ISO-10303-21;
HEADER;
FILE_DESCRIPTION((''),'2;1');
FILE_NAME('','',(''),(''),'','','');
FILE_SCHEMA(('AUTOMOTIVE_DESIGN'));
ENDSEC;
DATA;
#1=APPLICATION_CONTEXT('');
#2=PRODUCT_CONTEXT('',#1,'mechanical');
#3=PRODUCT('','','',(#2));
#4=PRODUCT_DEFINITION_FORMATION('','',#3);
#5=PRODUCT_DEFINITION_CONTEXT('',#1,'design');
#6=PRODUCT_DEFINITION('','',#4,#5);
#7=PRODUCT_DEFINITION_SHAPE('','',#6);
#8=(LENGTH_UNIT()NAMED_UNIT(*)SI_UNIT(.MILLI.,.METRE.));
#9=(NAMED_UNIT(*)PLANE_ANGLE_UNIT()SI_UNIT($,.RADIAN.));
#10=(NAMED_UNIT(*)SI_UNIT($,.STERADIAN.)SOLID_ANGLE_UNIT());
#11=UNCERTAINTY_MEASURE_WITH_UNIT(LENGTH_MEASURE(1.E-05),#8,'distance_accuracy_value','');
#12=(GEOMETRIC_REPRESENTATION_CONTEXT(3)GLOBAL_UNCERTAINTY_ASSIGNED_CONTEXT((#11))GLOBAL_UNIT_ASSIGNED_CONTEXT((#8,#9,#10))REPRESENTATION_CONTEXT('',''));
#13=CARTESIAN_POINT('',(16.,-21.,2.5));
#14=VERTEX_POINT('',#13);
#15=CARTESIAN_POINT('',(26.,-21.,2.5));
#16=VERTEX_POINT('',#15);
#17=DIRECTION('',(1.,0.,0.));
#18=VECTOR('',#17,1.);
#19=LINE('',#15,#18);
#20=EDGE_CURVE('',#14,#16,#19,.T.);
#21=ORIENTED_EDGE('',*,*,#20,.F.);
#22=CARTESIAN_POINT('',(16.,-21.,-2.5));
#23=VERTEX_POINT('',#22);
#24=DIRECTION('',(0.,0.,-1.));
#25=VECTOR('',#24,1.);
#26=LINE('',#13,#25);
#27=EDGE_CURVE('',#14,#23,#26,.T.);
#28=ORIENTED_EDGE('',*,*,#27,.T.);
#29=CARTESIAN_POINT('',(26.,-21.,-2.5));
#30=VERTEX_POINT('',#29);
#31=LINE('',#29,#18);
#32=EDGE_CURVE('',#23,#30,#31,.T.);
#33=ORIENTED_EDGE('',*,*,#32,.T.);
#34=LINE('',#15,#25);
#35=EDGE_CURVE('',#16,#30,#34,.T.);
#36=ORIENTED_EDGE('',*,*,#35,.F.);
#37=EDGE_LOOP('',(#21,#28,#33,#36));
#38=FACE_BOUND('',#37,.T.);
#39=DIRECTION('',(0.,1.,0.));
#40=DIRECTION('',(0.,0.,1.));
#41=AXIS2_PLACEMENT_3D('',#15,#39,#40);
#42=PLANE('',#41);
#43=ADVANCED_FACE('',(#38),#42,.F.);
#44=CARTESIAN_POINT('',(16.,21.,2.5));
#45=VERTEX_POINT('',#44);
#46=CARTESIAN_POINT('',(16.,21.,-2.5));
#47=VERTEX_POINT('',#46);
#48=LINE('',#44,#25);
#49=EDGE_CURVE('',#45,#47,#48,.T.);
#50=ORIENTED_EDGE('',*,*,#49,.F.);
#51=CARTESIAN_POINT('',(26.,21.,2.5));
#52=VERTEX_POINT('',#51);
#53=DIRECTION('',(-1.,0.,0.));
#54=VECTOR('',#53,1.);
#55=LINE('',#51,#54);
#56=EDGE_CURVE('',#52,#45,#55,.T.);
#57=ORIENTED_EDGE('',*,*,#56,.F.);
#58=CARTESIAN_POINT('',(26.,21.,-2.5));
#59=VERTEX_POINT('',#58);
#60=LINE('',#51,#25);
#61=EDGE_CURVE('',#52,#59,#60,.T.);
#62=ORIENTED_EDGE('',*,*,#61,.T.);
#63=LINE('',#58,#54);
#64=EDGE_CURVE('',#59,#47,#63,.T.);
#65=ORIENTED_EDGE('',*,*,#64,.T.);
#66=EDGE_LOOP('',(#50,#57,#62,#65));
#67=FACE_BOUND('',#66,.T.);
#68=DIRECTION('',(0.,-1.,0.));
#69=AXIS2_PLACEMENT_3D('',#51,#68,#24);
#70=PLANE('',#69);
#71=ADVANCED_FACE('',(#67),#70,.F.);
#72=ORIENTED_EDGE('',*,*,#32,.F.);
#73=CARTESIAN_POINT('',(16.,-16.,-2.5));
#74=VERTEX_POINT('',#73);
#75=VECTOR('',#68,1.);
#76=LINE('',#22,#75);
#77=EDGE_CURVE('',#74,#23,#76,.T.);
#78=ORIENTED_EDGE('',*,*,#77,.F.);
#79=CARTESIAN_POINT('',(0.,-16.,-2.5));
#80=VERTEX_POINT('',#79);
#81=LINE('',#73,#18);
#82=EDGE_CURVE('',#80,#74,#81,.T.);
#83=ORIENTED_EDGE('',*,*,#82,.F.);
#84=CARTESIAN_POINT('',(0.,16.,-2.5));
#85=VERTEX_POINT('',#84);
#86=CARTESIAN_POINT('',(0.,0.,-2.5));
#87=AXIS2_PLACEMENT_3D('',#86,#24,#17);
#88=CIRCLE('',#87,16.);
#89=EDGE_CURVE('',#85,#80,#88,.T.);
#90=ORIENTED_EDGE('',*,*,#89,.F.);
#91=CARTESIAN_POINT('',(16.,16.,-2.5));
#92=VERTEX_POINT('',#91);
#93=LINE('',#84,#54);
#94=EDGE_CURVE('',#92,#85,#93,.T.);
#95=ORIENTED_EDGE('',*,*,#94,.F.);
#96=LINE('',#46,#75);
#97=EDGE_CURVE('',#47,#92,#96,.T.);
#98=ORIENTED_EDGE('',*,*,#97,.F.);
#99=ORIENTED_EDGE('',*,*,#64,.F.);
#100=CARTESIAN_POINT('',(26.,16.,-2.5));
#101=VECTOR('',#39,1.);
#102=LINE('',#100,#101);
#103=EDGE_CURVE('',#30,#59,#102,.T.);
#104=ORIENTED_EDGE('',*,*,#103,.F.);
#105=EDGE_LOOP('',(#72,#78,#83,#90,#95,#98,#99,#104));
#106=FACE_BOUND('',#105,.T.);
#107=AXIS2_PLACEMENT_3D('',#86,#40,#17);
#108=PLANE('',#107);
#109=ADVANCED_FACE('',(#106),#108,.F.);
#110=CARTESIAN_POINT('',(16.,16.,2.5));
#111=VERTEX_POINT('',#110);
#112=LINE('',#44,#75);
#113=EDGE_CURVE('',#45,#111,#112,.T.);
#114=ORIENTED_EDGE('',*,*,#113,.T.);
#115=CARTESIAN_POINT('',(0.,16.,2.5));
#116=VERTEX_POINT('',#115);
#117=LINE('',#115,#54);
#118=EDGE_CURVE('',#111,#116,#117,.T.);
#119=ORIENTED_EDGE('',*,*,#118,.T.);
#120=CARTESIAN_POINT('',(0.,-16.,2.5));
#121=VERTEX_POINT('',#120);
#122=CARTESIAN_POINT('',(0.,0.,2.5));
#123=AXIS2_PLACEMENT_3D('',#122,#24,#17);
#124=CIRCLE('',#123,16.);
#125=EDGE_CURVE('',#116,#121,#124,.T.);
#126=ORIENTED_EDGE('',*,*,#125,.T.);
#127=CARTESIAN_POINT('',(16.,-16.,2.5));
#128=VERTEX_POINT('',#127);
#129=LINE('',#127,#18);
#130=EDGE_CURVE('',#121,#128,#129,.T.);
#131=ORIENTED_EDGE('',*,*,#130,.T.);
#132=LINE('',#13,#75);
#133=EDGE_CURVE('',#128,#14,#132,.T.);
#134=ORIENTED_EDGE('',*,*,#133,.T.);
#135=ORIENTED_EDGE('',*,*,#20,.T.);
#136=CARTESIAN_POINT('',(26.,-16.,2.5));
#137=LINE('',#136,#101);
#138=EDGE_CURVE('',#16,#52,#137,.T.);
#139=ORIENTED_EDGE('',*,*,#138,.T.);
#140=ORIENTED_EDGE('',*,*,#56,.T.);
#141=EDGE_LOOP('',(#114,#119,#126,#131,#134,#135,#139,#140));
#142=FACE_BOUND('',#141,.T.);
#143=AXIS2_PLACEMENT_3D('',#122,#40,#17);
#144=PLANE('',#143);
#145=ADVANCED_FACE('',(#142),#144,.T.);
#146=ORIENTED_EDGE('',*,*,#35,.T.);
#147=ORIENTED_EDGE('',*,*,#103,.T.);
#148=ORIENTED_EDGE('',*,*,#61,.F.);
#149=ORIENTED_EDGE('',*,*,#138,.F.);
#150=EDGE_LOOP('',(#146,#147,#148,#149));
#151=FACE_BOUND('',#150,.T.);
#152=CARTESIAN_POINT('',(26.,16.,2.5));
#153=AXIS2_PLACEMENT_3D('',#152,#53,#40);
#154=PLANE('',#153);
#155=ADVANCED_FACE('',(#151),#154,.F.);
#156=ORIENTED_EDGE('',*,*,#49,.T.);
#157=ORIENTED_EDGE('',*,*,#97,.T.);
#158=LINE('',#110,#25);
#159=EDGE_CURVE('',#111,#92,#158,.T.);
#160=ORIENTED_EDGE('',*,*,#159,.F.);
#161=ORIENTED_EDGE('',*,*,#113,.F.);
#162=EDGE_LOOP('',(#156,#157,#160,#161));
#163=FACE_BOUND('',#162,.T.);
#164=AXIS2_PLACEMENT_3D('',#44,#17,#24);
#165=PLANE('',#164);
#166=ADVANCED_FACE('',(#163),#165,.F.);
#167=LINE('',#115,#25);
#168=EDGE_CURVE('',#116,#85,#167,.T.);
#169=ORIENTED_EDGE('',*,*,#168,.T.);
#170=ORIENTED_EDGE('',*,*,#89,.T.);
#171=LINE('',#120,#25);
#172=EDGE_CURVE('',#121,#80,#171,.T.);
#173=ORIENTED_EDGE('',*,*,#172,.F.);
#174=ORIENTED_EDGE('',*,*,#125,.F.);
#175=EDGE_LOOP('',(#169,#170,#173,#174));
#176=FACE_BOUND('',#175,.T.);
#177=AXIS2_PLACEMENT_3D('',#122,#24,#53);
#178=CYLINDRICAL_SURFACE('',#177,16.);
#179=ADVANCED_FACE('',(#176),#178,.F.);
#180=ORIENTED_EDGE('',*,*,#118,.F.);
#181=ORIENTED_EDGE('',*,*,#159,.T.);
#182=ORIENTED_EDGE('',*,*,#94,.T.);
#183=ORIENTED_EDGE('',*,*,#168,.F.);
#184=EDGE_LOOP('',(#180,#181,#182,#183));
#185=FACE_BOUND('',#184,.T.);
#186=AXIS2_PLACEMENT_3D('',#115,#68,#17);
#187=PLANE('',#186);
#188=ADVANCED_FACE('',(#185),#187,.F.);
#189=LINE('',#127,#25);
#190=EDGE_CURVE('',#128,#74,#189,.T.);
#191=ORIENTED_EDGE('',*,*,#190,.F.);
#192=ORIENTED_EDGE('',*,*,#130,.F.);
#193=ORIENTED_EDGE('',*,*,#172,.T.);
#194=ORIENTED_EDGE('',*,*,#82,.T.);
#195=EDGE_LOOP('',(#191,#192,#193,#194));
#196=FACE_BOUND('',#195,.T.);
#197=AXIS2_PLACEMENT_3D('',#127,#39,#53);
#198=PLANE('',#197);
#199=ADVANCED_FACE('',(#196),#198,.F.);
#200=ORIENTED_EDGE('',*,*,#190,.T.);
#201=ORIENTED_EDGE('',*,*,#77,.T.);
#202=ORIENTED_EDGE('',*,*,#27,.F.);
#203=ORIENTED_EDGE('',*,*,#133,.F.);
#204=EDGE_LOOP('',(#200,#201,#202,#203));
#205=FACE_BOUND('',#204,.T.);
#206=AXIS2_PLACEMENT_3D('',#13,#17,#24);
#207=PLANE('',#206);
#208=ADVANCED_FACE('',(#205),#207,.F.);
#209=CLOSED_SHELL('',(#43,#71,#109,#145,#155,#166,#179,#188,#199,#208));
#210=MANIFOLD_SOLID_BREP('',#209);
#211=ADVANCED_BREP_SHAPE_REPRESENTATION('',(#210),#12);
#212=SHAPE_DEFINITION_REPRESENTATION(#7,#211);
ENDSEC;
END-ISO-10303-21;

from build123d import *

# Parameters (mm, degrees)
BOSS_EXTRUDE1_DEPTH = 2.5


with BuildPart() as part:
    # Sketch1 → Boss-Extrude1 (new, symmetric)
    with BuildSketch(Plane.XY):
        with BuildLine():
            Line((0, 16), (16, 16))
            Line((16, 16), (16, 21))
            Line((16, 21), (26, 21))
            Line((26, 21), (26, 16))
            Line((26, 16), (26, -16))
            Line((26, -16), (26, -21))
            Line((26, -21), (16, -21))
            Line((16, -21), (16, -16))
            Line((16, -16), (0, -16))
            ThreePointArc((0, -16), (16, 0), (0, 16))
        make_face()
    extrude(amount=BOSS_EXTRUDE1_DEPTH, both=True)


solid = part.part
